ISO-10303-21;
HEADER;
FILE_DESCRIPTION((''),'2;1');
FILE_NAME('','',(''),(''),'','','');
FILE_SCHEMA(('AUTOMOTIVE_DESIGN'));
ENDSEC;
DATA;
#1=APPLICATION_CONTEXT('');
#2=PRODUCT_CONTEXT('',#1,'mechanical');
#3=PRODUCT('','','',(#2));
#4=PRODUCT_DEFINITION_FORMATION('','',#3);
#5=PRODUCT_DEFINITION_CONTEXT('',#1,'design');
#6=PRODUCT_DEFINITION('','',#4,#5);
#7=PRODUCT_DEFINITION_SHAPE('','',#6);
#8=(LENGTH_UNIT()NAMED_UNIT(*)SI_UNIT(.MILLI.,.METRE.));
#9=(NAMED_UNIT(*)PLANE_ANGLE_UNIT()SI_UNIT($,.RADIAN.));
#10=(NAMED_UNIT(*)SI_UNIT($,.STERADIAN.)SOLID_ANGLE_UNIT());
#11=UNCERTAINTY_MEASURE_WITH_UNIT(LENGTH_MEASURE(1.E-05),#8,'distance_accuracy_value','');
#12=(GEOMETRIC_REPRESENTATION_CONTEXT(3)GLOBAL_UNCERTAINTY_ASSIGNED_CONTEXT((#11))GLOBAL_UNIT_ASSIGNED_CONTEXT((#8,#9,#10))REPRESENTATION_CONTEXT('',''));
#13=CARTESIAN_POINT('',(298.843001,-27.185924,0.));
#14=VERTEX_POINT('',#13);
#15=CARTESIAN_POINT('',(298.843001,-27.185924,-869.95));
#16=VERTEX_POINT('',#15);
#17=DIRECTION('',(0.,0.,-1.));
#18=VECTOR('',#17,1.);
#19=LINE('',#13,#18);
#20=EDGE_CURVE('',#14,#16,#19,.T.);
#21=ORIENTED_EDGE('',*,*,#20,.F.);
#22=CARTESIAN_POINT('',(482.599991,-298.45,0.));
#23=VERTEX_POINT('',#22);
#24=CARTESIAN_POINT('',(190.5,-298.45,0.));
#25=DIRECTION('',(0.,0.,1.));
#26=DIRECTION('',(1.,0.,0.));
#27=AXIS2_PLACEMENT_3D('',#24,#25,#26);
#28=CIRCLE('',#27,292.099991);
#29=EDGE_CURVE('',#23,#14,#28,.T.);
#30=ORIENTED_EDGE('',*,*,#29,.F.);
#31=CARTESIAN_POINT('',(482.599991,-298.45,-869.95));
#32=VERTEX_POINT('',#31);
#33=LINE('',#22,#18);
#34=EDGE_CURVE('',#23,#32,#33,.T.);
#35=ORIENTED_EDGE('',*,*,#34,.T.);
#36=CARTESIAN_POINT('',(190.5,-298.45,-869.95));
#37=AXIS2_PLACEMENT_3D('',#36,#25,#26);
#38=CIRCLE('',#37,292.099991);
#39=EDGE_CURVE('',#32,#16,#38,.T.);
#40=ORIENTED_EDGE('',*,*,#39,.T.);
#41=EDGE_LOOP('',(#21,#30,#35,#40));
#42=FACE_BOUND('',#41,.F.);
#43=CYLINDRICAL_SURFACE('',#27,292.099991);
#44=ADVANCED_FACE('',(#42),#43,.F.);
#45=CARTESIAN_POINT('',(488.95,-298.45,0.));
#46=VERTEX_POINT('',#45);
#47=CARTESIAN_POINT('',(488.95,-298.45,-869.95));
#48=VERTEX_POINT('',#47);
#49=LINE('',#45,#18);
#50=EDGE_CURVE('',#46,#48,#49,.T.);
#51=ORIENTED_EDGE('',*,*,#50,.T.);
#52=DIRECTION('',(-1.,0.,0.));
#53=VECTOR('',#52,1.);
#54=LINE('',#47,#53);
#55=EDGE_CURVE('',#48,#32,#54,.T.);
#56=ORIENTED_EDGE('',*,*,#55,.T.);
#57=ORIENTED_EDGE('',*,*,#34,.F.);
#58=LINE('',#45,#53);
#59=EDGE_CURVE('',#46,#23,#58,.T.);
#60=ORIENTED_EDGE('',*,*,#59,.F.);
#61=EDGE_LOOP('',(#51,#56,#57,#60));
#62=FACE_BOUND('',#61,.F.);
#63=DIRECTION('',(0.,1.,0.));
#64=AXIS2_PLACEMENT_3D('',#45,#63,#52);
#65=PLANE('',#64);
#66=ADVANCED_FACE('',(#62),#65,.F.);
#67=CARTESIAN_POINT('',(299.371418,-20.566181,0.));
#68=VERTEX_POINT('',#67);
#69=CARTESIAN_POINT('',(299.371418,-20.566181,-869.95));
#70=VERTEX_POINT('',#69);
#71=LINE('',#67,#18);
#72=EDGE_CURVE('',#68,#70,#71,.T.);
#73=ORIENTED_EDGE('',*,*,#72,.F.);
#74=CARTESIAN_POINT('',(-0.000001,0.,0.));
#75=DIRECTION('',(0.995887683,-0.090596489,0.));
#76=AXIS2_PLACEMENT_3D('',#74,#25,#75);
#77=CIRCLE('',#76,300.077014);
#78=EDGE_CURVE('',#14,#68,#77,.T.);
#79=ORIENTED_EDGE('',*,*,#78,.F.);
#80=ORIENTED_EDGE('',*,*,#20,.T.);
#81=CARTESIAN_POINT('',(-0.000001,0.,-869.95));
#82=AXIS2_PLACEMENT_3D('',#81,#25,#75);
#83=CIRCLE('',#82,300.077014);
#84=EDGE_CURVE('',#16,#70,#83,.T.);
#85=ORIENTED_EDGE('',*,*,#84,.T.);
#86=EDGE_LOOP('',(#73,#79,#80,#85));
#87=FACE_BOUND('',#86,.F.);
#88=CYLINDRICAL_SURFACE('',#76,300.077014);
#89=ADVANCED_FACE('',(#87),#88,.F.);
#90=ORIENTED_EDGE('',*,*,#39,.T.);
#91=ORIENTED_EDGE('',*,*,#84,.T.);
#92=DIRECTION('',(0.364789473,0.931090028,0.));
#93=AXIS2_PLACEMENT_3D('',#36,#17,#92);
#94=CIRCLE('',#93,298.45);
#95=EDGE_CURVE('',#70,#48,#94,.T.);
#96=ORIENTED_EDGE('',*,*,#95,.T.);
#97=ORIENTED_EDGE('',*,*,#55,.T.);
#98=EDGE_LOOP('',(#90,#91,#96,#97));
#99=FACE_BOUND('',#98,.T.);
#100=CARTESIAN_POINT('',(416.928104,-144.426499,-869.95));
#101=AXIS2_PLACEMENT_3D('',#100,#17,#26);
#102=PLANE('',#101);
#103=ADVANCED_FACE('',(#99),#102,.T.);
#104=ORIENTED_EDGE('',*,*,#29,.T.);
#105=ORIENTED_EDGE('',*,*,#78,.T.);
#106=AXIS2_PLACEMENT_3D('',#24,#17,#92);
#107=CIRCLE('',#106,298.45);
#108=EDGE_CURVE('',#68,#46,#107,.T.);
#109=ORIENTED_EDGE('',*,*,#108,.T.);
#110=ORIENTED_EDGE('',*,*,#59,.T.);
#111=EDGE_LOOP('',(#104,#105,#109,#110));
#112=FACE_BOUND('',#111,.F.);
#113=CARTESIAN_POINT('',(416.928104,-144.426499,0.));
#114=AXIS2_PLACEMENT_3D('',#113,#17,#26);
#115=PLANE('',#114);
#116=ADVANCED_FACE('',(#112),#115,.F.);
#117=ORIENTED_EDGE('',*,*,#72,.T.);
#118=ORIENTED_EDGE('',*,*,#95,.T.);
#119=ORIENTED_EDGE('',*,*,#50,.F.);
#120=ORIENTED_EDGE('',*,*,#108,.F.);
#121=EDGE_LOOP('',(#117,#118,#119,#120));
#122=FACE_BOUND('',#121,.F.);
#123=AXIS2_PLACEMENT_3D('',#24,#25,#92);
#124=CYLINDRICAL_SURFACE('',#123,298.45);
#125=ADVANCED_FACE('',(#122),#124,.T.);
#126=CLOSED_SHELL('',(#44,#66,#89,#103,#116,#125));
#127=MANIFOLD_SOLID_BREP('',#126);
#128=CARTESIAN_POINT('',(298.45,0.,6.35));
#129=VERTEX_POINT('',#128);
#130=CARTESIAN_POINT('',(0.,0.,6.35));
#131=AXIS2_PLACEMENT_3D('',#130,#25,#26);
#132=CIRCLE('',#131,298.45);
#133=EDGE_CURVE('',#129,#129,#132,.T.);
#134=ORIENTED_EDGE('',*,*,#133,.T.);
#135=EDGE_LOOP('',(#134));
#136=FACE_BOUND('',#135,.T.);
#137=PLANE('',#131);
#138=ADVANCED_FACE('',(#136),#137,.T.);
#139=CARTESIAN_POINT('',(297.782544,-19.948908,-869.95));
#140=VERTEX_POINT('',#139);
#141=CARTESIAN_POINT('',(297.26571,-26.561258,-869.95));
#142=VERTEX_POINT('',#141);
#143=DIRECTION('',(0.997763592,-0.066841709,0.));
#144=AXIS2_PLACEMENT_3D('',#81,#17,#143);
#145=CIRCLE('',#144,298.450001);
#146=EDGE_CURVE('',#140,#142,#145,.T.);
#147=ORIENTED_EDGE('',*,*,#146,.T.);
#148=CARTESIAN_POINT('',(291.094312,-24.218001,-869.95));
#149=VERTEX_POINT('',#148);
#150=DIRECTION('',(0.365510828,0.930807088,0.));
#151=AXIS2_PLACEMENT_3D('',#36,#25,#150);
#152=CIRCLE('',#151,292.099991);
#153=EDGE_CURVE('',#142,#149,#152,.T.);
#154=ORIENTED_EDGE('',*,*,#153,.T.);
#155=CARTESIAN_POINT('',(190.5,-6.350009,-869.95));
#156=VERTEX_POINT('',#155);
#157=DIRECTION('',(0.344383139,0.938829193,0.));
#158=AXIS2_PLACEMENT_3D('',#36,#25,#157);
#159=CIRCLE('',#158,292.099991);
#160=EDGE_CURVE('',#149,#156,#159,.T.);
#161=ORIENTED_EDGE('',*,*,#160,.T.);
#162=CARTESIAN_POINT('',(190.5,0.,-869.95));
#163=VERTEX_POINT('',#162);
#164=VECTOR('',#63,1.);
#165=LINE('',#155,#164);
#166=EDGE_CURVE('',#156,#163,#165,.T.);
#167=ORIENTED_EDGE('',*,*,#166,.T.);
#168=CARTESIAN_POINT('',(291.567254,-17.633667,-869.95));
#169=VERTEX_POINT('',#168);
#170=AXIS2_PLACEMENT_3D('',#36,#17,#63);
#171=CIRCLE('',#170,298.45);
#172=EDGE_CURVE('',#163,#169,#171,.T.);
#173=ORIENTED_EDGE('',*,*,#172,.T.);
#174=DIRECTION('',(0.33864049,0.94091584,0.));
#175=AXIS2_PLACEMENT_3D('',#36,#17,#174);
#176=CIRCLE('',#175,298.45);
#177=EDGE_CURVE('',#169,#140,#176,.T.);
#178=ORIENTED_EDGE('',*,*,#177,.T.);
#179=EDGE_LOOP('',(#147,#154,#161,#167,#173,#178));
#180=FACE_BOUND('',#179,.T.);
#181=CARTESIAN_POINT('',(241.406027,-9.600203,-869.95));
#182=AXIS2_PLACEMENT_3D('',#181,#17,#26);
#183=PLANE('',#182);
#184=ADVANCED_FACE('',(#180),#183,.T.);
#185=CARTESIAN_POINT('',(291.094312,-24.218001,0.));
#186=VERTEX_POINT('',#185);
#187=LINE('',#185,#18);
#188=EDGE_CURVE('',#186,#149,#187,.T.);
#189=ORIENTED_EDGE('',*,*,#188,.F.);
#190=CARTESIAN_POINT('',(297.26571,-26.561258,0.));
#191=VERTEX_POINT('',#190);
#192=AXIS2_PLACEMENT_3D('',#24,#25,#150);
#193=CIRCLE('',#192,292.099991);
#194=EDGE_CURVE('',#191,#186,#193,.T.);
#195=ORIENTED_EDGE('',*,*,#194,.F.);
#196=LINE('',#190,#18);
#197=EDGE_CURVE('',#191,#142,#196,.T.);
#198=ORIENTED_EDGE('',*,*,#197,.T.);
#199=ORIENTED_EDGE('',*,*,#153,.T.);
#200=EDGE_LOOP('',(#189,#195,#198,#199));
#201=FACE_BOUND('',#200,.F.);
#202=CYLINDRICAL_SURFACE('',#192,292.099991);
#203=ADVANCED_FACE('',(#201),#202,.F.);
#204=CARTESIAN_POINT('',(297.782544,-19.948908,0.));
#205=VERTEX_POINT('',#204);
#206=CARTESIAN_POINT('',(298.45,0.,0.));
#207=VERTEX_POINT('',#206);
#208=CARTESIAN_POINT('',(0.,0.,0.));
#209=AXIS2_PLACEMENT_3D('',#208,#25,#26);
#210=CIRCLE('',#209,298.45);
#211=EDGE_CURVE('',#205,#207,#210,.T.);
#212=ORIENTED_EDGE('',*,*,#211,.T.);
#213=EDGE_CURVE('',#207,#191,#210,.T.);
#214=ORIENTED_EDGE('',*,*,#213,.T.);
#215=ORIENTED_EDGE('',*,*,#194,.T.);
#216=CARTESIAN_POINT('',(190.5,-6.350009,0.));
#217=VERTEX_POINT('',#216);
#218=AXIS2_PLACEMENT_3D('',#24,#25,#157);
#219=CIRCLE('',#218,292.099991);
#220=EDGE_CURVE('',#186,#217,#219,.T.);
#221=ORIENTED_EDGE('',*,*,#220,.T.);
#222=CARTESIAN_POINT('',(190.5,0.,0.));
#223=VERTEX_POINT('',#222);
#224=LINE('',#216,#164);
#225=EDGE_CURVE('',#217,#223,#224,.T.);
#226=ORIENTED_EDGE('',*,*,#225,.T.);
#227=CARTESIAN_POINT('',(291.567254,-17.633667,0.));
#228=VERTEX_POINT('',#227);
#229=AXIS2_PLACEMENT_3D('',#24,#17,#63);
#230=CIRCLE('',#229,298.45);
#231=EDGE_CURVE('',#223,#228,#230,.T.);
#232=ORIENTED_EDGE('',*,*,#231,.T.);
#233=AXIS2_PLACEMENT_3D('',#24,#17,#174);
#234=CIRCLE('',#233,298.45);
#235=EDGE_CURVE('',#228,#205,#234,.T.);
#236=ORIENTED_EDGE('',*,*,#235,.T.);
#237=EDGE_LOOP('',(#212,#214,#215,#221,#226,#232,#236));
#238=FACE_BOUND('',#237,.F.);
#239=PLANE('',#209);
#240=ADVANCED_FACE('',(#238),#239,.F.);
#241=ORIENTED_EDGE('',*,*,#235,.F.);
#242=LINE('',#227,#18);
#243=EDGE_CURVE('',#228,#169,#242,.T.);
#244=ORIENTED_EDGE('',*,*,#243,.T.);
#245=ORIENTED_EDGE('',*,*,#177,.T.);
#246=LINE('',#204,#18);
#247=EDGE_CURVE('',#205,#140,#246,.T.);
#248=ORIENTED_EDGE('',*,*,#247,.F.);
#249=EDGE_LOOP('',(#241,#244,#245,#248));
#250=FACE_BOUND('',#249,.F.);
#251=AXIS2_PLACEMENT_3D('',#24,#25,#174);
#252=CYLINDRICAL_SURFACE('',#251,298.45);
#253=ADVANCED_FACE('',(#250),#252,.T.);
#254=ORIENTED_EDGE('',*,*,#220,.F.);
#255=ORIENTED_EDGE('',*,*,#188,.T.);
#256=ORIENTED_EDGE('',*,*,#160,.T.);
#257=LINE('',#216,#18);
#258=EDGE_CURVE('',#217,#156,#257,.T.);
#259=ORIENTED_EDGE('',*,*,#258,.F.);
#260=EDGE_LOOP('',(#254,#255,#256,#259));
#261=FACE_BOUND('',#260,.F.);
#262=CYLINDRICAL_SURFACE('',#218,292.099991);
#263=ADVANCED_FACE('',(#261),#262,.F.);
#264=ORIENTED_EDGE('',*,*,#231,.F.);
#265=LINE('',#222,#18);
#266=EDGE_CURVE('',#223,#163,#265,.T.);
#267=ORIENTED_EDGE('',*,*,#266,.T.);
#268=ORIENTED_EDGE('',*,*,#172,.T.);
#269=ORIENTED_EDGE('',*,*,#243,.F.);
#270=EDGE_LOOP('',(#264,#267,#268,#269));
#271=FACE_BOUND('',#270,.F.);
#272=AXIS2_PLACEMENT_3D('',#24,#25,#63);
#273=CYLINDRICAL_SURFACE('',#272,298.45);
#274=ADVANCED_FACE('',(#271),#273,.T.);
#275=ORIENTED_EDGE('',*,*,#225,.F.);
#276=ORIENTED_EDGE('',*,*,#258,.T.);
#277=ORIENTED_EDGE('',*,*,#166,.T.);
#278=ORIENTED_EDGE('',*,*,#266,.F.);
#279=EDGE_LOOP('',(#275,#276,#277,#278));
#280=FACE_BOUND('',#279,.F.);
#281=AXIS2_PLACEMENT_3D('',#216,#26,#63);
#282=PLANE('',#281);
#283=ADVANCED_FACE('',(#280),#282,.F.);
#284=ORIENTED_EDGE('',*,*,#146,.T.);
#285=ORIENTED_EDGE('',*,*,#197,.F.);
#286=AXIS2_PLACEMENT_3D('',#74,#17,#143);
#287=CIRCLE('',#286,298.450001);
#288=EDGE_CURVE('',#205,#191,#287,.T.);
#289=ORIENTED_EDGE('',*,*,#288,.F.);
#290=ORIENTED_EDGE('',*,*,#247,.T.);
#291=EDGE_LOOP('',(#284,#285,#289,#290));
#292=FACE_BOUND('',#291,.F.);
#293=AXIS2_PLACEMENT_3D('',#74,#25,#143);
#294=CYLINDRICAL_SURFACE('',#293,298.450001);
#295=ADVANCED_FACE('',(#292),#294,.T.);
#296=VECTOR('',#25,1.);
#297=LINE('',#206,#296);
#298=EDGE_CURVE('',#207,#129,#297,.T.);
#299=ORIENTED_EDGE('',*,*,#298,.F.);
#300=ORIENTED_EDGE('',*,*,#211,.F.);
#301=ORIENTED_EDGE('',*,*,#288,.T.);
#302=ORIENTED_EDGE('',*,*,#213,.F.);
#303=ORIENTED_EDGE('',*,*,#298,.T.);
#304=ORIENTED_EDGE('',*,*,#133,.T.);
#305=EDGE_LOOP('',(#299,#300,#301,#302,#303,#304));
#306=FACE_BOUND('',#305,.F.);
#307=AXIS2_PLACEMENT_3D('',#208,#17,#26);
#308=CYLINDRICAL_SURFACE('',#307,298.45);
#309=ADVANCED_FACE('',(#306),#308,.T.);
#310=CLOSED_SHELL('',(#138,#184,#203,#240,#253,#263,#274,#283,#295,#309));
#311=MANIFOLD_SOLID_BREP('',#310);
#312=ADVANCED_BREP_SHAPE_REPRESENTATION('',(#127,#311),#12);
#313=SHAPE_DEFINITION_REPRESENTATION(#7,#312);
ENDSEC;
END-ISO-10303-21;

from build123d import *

# Parameters (mm, degrees)
F0_R     = 298.45
F1_DEPTH = 6.35
F3_DEPTH = 869.95


with BuildPart() as f1:
    # F0 (on Top) → F1 (new body)
    with BuildSketch(Plane.XY):
        Circle(F0_R)
    extrude(amount=F1_DEPTH)

    # F2 (on face) → F3 (join)
    with BuildSketch(Plane(origin=(0, 0, 0), x_dir=(1, 0, 0), z_dir=(0, 0, -1))):
        with BuildLine():
            Line((190.5, 6.3500086406), (190.5, 0))
            ThreePointArc((190.5, 0), (241.7970177433, 4.4414653099), (291.567254285, 17.6336674777))
            ThreePointArc((291.567254285, 17.6336674777), (291.3493839809, 20.9271702332), (291.094311925, 24.218000845))
            ThreePointArc((291.094311925, 24.218000845), (241.5844417046, 10.8516954711), (190.5, 6.3500086406))
        make_face()
        with BuildLine():
            ThreePointArc((291.094311925, 24.218000845), (291.3493839809, 20.9271702332), (291.567254285, 17.6336674777))
            ThreePointArc((291.567254285, 17.6336674777), (294.6813308905, 18.774021779), (297.7825440966, 19.9489080234))
            ThreePointArc((297.7825440967, 19.9489080234), (297.5424958598, 23.2565186022), (297.2657095789, 26.5612576617))
            ThreePointArc((297.2657095789, 26.5612576617), (294.1866304913, 25.3721949525), (291.094311925, 24.218000845))
        make_face()
    extrude(amount=F3_DEPTH)


with BuildPart() as f3:
    # F2 (on face) → F3, piece 2 (new body)
    with BuildSketch(Plane(origin=(0, 0, 0), x_dir=(1, 0, 0), z_dir=(0, 0, -1))):
        with BuildLine():
            ThreePointArc((298.8430011947, 27.1859237858), (299.1255223628, 23.8775142405), (299.3714181585, 20.5661810969))
            ThreePointArc((299.3714181585, 20.5661810969), (437.0411499622, 130.254090789), (488.95, 298.45))
            Line((488.95, 298.45), (482.5999913594, 298.45))
            ThreePointArc((482.5999913594, 298.45), (432.3360960082, 134.6278170708), (298.8430011947, 27.1859237859))
        make_face()
    extrude(amount=F3_DEPTH)


solid = Compound([f1.part, f3.part])
